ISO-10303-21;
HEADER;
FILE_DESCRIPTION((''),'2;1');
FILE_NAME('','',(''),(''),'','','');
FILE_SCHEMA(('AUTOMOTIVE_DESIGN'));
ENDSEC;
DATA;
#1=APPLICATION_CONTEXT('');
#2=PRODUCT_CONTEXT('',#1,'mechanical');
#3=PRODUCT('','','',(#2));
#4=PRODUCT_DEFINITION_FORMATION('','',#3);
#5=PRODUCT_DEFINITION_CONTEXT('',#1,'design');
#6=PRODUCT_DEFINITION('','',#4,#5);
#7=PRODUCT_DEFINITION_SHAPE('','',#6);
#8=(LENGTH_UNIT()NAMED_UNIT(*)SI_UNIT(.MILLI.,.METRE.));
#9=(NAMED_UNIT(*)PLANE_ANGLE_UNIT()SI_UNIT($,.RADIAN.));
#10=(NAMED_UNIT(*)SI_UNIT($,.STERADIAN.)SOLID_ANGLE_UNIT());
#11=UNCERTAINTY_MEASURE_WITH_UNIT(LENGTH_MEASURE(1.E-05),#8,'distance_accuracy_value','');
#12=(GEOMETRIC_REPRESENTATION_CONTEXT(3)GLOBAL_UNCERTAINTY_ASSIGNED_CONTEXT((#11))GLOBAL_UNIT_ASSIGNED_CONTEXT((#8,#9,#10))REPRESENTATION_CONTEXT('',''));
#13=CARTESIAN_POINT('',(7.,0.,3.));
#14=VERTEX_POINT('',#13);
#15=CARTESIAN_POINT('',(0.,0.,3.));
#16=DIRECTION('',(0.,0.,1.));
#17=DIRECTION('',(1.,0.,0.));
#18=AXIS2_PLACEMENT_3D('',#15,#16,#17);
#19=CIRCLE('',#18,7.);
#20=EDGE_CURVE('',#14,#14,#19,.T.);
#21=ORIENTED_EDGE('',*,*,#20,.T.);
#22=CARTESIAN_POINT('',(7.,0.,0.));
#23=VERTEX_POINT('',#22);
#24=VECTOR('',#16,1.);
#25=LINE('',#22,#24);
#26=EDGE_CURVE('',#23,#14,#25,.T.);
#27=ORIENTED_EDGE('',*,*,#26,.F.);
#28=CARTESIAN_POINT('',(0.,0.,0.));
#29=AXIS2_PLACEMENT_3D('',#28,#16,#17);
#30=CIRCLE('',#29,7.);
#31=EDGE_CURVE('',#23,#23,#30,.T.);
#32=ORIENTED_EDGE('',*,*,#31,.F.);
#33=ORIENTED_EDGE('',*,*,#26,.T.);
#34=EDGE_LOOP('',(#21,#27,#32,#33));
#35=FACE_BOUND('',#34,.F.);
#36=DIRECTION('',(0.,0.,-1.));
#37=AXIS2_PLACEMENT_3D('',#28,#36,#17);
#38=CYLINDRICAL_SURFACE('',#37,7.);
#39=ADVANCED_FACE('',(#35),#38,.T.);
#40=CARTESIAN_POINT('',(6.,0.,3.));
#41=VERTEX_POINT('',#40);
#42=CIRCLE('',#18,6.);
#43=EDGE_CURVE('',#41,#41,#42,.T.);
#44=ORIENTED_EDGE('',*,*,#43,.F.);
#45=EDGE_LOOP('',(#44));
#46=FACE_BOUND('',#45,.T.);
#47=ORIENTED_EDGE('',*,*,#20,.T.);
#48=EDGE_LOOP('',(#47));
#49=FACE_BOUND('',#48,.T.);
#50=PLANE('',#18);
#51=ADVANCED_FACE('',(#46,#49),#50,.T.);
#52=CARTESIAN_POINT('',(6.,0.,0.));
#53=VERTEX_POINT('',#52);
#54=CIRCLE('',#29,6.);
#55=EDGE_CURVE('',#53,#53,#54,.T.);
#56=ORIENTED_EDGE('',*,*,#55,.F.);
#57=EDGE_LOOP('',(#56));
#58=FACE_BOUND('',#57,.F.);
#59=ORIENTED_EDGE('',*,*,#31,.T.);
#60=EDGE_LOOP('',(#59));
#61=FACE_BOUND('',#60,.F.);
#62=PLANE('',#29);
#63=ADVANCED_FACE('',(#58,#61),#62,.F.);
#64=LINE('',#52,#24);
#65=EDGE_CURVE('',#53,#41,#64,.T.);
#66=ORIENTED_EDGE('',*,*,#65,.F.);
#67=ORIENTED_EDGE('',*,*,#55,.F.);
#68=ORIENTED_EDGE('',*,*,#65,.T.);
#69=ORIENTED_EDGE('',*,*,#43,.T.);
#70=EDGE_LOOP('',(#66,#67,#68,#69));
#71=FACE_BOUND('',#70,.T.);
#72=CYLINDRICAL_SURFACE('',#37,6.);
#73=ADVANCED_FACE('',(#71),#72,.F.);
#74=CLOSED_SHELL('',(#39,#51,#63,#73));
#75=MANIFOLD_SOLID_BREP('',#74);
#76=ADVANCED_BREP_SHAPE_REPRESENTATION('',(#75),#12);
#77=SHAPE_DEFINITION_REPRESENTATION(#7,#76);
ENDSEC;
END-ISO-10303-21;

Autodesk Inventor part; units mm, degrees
ref_plane "YZ Plane" through (0, 0, 0) normal (1, 0, 0) x (0, 1, 0)
ref_plane "XZ Plane" through (0, 0, 0) normal (0, 1, 0) x (-1, 0, 0)
ref_plane "XY Plane" through (0, 0, 0) normal (0, 0, 1) x (1, 0, 0)
sketch "スケッチ1" plane through (0, 0, 0) normal (0, 0, 1) x (1, 0, 0)
  circle A0 centre (0, 0) radius 7
  circle A1 centre (0, 0) radius 6
  dimension "d0" = 14
  dimension "d1" = 12
extrude "押し出し1" add sketch "スケッチ1" along normal blind 3
properties part number "オイレス　12-14" material "アセタール樹脂、黒"
